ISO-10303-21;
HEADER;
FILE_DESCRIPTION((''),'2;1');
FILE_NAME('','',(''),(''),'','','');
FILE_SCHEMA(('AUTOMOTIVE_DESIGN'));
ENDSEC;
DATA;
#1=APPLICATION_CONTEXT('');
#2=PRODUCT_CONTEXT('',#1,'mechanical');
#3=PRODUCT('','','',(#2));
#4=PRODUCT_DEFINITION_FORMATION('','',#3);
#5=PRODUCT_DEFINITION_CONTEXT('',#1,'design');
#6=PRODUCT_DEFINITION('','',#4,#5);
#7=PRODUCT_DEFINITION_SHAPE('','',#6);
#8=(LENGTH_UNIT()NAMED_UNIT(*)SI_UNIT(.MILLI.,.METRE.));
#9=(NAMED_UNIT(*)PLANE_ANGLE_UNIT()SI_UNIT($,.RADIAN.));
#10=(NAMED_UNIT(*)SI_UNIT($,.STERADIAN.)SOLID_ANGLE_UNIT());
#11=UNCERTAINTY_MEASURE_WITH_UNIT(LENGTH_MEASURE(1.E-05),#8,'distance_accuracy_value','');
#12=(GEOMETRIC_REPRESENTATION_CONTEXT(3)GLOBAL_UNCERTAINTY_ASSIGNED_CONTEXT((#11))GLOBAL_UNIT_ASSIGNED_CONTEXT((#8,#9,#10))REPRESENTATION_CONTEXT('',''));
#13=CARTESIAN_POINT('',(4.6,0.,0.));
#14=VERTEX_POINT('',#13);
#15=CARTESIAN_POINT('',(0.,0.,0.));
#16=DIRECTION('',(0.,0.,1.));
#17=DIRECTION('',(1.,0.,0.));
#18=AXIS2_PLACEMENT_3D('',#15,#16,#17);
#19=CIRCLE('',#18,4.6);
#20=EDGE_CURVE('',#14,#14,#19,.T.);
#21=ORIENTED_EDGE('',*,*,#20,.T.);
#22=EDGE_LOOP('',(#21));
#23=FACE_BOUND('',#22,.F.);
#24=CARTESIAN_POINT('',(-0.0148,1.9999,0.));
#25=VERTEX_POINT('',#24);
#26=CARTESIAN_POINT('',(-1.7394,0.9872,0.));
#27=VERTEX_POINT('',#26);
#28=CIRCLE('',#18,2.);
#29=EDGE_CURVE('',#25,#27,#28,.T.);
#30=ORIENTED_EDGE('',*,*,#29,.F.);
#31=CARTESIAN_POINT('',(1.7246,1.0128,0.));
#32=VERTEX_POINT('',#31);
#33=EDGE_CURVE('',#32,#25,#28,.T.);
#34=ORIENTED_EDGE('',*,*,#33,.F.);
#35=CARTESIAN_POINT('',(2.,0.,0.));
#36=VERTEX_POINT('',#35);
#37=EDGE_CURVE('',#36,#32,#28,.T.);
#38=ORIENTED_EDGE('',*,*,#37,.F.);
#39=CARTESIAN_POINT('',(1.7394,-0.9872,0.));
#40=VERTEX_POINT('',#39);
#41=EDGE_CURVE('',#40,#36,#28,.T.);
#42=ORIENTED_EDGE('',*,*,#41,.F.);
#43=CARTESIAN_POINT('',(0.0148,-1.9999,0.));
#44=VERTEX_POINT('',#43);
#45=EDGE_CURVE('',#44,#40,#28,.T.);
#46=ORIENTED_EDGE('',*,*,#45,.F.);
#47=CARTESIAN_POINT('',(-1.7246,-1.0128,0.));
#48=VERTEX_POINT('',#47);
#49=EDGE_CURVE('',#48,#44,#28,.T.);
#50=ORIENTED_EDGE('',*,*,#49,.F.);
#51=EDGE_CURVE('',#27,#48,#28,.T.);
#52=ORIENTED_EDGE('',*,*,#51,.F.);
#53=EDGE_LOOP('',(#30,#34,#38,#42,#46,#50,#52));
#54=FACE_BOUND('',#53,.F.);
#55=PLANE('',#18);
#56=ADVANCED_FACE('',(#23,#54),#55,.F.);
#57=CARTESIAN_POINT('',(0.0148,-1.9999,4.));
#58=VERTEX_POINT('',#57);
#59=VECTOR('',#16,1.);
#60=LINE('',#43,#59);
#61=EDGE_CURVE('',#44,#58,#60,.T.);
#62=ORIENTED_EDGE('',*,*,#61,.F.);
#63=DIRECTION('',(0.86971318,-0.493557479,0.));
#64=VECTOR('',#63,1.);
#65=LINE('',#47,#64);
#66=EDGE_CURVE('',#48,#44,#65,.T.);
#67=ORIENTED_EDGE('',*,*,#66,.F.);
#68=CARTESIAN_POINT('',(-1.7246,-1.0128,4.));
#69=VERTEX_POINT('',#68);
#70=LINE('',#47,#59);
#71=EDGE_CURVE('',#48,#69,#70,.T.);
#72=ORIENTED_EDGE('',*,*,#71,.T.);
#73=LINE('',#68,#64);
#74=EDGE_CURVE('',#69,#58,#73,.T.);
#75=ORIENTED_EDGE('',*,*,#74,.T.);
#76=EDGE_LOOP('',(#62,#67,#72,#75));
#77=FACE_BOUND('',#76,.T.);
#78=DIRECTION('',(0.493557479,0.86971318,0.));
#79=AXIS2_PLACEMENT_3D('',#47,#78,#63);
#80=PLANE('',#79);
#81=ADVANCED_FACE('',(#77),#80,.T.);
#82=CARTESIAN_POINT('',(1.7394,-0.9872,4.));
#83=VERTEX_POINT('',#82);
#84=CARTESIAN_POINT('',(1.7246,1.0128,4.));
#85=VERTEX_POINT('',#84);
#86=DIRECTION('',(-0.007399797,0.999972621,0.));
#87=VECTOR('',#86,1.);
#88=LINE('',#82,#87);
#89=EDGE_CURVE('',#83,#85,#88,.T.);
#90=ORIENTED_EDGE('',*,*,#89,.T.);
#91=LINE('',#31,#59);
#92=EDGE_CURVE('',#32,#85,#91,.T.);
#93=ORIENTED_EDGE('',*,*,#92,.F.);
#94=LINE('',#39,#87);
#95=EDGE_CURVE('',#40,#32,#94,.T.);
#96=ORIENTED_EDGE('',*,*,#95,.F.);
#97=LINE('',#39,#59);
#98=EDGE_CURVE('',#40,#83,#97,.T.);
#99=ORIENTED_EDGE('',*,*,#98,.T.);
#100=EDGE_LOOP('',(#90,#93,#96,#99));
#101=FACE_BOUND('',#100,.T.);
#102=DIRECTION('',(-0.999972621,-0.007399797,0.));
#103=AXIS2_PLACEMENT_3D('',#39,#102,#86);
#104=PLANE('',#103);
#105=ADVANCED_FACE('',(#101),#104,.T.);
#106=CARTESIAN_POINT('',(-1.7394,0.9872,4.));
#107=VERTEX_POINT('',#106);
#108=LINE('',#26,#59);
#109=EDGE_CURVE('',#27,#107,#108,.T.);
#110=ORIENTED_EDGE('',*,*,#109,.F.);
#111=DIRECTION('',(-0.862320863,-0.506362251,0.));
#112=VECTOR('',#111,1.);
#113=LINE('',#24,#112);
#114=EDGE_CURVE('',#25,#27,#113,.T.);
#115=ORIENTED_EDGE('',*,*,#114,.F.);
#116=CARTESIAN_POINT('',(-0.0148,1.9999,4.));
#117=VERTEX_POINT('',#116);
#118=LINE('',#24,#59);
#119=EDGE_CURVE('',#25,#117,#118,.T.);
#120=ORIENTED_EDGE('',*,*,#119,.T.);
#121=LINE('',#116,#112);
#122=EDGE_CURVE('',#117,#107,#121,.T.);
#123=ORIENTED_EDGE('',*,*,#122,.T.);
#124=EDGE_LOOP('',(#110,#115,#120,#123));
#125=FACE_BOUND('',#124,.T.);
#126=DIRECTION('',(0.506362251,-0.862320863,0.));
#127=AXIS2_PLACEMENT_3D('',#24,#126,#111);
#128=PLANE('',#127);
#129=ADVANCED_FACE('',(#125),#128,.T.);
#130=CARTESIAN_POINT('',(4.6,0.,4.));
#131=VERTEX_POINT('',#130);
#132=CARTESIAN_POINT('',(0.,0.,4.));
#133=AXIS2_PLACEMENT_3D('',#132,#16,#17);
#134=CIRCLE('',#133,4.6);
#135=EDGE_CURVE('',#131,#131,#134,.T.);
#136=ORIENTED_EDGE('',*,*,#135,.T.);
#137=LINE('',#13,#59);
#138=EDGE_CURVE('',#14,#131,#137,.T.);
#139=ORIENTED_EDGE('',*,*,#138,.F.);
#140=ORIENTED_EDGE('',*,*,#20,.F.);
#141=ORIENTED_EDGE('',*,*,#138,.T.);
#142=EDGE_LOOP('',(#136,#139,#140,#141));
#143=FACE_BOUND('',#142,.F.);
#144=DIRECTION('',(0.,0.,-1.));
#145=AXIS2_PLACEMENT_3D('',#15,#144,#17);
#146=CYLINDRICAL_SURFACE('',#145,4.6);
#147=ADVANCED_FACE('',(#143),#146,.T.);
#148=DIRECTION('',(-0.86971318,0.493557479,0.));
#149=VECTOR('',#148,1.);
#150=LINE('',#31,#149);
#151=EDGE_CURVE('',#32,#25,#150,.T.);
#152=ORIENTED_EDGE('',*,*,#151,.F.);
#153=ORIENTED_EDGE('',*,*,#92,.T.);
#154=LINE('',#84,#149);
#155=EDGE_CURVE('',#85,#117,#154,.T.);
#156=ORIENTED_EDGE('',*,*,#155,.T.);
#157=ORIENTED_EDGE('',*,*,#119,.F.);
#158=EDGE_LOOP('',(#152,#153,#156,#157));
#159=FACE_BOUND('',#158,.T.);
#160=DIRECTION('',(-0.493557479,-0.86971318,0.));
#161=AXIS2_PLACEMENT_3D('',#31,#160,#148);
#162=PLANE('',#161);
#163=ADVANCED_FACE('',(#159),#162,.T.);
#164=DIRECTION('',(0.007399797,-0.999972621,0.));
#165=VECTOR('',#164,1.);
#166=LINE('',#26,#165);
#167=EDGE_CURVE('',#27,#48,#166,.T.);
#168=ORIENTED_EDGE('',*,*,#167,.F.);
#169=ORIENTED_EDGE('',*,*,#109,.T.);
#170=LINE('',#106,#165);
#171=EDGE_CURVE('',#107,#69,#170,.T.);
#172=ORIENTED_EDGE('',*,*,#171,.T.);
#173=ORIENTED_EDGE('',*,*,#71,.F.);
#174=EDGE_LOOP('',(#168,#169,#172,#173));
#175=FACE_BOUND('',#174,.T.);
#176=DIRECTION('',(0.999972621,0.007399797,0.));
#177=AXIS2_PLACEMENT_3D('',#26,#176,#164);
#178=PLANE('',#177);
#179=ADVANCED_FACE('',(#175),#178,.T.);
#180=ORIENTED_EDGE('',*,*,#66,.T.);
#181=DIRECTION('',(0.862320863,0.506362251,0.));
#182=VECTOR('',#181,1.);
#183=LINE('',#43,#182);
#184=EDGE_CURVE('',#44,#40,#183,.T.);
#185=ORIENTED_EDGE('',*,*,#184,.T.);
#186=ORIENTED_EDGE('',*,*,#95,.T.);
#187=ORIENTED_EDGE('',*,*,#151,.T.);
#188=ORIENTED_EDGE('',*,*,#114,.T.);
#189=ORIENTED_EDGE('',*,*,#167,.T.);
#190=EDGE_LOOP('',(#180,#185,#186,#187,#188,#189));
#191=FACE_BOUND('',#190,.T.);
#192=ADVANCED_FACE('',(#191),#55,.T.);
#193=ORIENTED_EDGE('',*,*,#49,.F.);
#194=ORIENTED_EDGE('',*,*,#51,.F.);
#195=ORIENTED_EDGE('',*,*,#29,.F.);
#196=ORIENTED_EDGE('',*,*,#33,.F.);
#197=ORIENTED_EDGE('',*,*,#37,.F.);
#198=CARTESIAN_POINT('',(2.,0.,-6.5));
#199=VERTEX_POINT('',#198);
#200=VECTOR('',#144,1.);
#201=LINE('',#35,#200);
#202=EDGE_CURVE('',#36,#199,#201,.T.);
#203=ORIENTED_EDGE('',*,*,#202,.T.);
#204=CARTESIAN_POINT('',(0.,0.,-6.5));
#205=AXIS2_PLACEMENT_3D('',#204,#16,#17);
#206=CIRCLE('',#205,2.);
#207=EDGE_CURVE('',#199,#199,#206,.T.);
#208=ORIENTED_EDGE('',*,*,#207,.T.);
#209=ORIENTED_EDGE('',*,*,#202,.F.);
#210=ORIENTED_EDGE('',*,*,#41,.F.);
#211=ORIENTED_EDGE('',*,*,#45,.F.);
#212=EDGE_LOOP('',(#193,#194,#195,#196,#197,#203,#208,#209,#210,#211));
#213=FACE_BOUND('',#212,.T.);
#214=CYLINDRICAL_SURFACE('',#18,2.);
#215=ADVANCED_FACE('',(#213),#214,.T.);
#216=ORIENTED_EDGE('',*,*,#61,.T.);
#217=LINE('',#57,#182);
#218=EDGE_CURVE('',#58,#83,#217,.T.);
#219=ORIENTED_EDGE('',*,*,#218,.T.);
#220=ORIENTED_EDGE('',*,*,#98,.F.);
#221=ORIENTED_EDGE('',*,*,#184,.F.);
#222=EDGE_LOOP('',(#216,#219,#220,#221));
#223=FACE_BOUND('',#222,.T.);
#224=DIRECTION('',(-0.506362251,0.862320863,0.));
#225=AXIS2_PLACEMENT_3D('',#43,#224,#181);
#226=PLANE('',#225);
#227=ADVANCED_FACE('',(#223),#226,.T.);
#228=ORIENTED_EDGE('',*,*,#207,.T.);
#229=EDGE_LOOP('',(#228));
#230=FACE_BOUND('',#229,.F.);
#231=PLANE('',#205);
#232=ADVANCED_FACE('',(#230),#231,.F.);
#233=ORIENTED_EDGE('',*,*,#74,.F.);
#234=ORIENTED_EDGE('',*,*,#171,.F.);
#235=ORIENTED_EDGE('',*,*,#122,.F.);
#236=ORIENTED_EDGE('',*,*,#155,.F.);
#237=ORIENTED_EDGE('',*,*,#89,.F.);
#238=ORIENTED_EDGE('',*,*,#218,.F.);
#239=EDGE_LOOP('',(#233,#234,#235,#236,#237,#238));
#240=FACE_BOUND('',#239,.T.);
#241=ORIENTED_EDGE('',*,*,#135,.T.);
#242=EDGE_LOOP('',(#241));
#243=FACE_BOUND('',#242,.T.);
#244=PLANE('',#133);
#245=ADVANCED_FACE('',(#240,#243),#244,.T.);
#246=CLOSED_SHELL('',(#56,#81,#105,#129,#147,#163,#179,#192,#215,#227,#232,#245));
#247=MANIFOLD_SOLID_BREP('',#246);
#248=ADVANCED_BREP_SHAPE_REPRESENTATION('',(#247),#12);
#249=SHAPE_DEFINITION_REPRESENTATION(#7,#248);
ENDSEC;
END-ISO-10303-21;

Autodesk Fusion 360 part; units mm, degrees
sketch "Sketch1" plane through (0, 0, 0) normal (0, 0, 1) x (1, 0, 0)
  circle A0 centre (0, 0) radius 4.6
  circle A1 centre (0, 0) radius 2
  line L0 (1.7394, -0.9872) -> (1.7246, 1.0128)
  line L1 (1.7246, 1.0128) -> (-0.0148, 1.9999)
  line L2 (-0.0148, 1.9999) -> (-1.7394, 0.9872)
  line L3 (-1.7394, 0.9872) -> (-1.7246, -1.0128)
  line L4 (-1.7246, -1.0128) -> (0.0148, -1.9999)
  line L5 (0.0148, -1.9999) -> (1.7394, -0.9872)
  dimension "d1" = 9.2
  dimension "d2" = 4
extrude "Extrude1" add sketch "Sketch1" against normal blind 6.5 contours A1 L0 | A1 L1 | L0 L1 L2 L3 L4 L5 | A1 L5 | A1 L2 | A1 L4 | A1 L3 makes body 1
extrude "Extrude2" add sketch "Sketch1" along normal blind 4 separate body contours A0 | A1 L0 | A1 L1 | A1 L5 | A1 L2 | A1 L4 | A1 L3 makes body 2
thread "Thread1" thread offset 0 thread length 10
combine "Combine1" operation add target body 1 tool bodies 2
